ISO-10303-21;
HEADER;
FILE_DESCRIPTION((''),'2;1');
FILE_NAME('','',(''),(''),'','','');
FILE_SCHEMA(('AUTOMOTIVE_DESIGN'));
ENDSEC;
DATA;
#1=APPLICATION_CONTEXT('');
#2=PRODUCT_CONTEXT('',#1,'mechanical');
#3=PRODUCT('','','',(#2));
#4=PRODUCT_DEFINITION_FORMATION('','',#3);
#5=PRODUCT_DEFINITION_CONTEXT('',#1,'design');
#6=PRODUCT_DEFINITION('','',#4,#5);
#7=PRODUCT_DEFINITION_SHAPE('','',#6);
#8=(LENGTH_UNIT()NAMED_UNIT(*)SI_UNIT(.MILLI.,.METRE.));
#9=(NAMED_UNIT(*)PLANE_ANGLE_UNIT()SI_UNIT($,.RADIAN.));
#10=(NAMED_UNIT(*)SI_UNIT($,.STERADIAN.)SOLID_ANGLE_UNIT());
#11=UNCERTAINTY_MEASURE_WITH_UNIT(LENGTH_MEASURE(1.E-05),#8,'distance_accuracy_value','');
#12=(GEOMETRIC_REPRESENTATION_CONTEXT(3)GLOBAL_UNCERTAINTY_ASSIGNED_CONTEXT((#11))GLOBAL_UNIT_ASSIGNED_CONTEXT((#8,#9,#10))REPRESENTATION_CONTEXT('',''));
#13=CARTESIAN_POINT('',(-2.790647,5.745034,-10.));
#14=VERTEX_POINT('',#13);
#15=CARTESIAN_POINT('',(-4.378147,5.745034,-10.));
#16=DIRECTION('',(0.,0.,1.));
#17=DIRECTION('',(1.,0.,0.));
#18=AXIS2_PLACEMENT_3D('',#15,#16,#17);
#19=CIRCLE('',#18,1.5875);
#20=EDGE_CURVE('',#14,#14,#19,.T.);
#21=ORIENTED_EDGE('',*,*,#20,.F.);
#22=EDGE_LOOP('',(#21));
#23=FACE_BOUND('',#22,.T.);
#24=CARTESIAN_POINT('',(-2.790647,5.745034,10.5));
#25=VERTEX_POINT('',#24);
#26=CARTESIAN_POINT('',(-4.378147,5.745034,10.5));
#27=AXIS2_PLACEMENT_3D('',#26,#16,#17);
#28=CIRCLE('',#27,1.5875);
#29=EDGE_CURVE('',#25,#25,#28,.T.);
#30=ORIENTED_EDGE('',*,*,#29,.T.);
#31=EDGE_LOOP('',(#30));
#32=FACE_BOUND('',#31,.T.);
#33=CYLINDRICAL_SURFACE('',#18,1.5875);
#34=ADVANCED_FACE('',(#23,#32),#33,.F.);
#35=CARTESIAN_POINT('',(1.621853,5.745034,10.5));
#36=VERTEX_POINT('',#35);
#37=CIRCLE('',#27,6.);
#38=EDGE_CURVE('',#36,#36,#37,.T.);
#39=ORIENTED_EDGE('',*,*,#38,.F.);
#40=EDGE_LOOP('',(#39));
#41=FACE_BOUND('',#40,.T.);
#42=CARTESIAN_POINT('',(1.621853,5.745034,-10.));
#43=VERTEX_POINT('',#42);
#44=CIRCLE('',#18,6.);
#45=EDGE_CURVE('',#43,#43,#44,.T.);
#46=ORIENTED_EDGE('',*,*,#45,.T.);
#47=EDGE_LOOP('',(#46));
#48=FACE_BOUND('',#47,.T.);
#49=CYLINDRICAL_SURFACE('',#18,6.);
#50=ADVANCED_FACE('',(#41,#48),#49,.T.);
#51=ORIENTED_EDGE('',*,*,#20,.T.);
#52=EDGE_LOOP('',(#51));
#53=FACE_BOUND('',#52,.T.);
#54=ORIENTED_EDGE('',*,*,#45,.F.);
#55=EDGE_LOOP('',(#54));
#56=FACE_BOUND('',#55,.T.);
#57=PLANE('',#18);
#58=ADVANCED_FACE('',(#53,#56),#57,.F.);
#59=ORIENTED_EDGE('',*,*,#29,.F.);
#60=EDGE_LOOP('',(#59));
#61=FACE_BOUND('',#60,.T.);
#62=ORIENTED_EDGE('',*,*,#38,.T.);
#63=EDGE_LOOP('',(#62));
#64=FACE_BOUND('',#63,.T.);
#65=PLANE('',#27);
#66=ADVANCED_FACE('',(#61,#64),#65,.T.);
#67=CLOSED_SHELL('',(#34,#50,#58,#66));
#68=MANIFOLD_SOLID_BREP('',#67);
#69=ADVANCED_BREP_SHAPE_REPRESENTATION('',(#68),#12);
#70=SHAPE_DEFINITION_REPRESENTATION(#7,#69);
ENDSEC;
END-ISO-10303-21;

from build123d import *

# Parameters (mm, degrees)
SKETCH1_R                = 6
SKETCH1_R_2              = 1.5875
BOSS_EXTRUDE1_DEPTH      = 10.5
BOSS_EXTRUDE1_DEPTH_BACK = 10


with BuildPart() as part:
    # Sketch1 → Boss-Extrude1 (new body, two sides)
    with BuildSketch(Plane.XY) as boss_extrude1_sk:
        with Locations((-4.378147327, 5.74503364)):
            Circle(SKETCH1_R)
        with Locations((-4.378147327, 5.74503364)):
            Circle(SKETCH1_R_2, mode=Mode.SUBTRACT)
    extrude(amount=BOSS_EXTRUDE1_DEPTH)
    extrude(boss_extrude1_sk.sketch, amount=-BOSS_EXTRUDE1_DEPTH_BACK)


solid = part.part
